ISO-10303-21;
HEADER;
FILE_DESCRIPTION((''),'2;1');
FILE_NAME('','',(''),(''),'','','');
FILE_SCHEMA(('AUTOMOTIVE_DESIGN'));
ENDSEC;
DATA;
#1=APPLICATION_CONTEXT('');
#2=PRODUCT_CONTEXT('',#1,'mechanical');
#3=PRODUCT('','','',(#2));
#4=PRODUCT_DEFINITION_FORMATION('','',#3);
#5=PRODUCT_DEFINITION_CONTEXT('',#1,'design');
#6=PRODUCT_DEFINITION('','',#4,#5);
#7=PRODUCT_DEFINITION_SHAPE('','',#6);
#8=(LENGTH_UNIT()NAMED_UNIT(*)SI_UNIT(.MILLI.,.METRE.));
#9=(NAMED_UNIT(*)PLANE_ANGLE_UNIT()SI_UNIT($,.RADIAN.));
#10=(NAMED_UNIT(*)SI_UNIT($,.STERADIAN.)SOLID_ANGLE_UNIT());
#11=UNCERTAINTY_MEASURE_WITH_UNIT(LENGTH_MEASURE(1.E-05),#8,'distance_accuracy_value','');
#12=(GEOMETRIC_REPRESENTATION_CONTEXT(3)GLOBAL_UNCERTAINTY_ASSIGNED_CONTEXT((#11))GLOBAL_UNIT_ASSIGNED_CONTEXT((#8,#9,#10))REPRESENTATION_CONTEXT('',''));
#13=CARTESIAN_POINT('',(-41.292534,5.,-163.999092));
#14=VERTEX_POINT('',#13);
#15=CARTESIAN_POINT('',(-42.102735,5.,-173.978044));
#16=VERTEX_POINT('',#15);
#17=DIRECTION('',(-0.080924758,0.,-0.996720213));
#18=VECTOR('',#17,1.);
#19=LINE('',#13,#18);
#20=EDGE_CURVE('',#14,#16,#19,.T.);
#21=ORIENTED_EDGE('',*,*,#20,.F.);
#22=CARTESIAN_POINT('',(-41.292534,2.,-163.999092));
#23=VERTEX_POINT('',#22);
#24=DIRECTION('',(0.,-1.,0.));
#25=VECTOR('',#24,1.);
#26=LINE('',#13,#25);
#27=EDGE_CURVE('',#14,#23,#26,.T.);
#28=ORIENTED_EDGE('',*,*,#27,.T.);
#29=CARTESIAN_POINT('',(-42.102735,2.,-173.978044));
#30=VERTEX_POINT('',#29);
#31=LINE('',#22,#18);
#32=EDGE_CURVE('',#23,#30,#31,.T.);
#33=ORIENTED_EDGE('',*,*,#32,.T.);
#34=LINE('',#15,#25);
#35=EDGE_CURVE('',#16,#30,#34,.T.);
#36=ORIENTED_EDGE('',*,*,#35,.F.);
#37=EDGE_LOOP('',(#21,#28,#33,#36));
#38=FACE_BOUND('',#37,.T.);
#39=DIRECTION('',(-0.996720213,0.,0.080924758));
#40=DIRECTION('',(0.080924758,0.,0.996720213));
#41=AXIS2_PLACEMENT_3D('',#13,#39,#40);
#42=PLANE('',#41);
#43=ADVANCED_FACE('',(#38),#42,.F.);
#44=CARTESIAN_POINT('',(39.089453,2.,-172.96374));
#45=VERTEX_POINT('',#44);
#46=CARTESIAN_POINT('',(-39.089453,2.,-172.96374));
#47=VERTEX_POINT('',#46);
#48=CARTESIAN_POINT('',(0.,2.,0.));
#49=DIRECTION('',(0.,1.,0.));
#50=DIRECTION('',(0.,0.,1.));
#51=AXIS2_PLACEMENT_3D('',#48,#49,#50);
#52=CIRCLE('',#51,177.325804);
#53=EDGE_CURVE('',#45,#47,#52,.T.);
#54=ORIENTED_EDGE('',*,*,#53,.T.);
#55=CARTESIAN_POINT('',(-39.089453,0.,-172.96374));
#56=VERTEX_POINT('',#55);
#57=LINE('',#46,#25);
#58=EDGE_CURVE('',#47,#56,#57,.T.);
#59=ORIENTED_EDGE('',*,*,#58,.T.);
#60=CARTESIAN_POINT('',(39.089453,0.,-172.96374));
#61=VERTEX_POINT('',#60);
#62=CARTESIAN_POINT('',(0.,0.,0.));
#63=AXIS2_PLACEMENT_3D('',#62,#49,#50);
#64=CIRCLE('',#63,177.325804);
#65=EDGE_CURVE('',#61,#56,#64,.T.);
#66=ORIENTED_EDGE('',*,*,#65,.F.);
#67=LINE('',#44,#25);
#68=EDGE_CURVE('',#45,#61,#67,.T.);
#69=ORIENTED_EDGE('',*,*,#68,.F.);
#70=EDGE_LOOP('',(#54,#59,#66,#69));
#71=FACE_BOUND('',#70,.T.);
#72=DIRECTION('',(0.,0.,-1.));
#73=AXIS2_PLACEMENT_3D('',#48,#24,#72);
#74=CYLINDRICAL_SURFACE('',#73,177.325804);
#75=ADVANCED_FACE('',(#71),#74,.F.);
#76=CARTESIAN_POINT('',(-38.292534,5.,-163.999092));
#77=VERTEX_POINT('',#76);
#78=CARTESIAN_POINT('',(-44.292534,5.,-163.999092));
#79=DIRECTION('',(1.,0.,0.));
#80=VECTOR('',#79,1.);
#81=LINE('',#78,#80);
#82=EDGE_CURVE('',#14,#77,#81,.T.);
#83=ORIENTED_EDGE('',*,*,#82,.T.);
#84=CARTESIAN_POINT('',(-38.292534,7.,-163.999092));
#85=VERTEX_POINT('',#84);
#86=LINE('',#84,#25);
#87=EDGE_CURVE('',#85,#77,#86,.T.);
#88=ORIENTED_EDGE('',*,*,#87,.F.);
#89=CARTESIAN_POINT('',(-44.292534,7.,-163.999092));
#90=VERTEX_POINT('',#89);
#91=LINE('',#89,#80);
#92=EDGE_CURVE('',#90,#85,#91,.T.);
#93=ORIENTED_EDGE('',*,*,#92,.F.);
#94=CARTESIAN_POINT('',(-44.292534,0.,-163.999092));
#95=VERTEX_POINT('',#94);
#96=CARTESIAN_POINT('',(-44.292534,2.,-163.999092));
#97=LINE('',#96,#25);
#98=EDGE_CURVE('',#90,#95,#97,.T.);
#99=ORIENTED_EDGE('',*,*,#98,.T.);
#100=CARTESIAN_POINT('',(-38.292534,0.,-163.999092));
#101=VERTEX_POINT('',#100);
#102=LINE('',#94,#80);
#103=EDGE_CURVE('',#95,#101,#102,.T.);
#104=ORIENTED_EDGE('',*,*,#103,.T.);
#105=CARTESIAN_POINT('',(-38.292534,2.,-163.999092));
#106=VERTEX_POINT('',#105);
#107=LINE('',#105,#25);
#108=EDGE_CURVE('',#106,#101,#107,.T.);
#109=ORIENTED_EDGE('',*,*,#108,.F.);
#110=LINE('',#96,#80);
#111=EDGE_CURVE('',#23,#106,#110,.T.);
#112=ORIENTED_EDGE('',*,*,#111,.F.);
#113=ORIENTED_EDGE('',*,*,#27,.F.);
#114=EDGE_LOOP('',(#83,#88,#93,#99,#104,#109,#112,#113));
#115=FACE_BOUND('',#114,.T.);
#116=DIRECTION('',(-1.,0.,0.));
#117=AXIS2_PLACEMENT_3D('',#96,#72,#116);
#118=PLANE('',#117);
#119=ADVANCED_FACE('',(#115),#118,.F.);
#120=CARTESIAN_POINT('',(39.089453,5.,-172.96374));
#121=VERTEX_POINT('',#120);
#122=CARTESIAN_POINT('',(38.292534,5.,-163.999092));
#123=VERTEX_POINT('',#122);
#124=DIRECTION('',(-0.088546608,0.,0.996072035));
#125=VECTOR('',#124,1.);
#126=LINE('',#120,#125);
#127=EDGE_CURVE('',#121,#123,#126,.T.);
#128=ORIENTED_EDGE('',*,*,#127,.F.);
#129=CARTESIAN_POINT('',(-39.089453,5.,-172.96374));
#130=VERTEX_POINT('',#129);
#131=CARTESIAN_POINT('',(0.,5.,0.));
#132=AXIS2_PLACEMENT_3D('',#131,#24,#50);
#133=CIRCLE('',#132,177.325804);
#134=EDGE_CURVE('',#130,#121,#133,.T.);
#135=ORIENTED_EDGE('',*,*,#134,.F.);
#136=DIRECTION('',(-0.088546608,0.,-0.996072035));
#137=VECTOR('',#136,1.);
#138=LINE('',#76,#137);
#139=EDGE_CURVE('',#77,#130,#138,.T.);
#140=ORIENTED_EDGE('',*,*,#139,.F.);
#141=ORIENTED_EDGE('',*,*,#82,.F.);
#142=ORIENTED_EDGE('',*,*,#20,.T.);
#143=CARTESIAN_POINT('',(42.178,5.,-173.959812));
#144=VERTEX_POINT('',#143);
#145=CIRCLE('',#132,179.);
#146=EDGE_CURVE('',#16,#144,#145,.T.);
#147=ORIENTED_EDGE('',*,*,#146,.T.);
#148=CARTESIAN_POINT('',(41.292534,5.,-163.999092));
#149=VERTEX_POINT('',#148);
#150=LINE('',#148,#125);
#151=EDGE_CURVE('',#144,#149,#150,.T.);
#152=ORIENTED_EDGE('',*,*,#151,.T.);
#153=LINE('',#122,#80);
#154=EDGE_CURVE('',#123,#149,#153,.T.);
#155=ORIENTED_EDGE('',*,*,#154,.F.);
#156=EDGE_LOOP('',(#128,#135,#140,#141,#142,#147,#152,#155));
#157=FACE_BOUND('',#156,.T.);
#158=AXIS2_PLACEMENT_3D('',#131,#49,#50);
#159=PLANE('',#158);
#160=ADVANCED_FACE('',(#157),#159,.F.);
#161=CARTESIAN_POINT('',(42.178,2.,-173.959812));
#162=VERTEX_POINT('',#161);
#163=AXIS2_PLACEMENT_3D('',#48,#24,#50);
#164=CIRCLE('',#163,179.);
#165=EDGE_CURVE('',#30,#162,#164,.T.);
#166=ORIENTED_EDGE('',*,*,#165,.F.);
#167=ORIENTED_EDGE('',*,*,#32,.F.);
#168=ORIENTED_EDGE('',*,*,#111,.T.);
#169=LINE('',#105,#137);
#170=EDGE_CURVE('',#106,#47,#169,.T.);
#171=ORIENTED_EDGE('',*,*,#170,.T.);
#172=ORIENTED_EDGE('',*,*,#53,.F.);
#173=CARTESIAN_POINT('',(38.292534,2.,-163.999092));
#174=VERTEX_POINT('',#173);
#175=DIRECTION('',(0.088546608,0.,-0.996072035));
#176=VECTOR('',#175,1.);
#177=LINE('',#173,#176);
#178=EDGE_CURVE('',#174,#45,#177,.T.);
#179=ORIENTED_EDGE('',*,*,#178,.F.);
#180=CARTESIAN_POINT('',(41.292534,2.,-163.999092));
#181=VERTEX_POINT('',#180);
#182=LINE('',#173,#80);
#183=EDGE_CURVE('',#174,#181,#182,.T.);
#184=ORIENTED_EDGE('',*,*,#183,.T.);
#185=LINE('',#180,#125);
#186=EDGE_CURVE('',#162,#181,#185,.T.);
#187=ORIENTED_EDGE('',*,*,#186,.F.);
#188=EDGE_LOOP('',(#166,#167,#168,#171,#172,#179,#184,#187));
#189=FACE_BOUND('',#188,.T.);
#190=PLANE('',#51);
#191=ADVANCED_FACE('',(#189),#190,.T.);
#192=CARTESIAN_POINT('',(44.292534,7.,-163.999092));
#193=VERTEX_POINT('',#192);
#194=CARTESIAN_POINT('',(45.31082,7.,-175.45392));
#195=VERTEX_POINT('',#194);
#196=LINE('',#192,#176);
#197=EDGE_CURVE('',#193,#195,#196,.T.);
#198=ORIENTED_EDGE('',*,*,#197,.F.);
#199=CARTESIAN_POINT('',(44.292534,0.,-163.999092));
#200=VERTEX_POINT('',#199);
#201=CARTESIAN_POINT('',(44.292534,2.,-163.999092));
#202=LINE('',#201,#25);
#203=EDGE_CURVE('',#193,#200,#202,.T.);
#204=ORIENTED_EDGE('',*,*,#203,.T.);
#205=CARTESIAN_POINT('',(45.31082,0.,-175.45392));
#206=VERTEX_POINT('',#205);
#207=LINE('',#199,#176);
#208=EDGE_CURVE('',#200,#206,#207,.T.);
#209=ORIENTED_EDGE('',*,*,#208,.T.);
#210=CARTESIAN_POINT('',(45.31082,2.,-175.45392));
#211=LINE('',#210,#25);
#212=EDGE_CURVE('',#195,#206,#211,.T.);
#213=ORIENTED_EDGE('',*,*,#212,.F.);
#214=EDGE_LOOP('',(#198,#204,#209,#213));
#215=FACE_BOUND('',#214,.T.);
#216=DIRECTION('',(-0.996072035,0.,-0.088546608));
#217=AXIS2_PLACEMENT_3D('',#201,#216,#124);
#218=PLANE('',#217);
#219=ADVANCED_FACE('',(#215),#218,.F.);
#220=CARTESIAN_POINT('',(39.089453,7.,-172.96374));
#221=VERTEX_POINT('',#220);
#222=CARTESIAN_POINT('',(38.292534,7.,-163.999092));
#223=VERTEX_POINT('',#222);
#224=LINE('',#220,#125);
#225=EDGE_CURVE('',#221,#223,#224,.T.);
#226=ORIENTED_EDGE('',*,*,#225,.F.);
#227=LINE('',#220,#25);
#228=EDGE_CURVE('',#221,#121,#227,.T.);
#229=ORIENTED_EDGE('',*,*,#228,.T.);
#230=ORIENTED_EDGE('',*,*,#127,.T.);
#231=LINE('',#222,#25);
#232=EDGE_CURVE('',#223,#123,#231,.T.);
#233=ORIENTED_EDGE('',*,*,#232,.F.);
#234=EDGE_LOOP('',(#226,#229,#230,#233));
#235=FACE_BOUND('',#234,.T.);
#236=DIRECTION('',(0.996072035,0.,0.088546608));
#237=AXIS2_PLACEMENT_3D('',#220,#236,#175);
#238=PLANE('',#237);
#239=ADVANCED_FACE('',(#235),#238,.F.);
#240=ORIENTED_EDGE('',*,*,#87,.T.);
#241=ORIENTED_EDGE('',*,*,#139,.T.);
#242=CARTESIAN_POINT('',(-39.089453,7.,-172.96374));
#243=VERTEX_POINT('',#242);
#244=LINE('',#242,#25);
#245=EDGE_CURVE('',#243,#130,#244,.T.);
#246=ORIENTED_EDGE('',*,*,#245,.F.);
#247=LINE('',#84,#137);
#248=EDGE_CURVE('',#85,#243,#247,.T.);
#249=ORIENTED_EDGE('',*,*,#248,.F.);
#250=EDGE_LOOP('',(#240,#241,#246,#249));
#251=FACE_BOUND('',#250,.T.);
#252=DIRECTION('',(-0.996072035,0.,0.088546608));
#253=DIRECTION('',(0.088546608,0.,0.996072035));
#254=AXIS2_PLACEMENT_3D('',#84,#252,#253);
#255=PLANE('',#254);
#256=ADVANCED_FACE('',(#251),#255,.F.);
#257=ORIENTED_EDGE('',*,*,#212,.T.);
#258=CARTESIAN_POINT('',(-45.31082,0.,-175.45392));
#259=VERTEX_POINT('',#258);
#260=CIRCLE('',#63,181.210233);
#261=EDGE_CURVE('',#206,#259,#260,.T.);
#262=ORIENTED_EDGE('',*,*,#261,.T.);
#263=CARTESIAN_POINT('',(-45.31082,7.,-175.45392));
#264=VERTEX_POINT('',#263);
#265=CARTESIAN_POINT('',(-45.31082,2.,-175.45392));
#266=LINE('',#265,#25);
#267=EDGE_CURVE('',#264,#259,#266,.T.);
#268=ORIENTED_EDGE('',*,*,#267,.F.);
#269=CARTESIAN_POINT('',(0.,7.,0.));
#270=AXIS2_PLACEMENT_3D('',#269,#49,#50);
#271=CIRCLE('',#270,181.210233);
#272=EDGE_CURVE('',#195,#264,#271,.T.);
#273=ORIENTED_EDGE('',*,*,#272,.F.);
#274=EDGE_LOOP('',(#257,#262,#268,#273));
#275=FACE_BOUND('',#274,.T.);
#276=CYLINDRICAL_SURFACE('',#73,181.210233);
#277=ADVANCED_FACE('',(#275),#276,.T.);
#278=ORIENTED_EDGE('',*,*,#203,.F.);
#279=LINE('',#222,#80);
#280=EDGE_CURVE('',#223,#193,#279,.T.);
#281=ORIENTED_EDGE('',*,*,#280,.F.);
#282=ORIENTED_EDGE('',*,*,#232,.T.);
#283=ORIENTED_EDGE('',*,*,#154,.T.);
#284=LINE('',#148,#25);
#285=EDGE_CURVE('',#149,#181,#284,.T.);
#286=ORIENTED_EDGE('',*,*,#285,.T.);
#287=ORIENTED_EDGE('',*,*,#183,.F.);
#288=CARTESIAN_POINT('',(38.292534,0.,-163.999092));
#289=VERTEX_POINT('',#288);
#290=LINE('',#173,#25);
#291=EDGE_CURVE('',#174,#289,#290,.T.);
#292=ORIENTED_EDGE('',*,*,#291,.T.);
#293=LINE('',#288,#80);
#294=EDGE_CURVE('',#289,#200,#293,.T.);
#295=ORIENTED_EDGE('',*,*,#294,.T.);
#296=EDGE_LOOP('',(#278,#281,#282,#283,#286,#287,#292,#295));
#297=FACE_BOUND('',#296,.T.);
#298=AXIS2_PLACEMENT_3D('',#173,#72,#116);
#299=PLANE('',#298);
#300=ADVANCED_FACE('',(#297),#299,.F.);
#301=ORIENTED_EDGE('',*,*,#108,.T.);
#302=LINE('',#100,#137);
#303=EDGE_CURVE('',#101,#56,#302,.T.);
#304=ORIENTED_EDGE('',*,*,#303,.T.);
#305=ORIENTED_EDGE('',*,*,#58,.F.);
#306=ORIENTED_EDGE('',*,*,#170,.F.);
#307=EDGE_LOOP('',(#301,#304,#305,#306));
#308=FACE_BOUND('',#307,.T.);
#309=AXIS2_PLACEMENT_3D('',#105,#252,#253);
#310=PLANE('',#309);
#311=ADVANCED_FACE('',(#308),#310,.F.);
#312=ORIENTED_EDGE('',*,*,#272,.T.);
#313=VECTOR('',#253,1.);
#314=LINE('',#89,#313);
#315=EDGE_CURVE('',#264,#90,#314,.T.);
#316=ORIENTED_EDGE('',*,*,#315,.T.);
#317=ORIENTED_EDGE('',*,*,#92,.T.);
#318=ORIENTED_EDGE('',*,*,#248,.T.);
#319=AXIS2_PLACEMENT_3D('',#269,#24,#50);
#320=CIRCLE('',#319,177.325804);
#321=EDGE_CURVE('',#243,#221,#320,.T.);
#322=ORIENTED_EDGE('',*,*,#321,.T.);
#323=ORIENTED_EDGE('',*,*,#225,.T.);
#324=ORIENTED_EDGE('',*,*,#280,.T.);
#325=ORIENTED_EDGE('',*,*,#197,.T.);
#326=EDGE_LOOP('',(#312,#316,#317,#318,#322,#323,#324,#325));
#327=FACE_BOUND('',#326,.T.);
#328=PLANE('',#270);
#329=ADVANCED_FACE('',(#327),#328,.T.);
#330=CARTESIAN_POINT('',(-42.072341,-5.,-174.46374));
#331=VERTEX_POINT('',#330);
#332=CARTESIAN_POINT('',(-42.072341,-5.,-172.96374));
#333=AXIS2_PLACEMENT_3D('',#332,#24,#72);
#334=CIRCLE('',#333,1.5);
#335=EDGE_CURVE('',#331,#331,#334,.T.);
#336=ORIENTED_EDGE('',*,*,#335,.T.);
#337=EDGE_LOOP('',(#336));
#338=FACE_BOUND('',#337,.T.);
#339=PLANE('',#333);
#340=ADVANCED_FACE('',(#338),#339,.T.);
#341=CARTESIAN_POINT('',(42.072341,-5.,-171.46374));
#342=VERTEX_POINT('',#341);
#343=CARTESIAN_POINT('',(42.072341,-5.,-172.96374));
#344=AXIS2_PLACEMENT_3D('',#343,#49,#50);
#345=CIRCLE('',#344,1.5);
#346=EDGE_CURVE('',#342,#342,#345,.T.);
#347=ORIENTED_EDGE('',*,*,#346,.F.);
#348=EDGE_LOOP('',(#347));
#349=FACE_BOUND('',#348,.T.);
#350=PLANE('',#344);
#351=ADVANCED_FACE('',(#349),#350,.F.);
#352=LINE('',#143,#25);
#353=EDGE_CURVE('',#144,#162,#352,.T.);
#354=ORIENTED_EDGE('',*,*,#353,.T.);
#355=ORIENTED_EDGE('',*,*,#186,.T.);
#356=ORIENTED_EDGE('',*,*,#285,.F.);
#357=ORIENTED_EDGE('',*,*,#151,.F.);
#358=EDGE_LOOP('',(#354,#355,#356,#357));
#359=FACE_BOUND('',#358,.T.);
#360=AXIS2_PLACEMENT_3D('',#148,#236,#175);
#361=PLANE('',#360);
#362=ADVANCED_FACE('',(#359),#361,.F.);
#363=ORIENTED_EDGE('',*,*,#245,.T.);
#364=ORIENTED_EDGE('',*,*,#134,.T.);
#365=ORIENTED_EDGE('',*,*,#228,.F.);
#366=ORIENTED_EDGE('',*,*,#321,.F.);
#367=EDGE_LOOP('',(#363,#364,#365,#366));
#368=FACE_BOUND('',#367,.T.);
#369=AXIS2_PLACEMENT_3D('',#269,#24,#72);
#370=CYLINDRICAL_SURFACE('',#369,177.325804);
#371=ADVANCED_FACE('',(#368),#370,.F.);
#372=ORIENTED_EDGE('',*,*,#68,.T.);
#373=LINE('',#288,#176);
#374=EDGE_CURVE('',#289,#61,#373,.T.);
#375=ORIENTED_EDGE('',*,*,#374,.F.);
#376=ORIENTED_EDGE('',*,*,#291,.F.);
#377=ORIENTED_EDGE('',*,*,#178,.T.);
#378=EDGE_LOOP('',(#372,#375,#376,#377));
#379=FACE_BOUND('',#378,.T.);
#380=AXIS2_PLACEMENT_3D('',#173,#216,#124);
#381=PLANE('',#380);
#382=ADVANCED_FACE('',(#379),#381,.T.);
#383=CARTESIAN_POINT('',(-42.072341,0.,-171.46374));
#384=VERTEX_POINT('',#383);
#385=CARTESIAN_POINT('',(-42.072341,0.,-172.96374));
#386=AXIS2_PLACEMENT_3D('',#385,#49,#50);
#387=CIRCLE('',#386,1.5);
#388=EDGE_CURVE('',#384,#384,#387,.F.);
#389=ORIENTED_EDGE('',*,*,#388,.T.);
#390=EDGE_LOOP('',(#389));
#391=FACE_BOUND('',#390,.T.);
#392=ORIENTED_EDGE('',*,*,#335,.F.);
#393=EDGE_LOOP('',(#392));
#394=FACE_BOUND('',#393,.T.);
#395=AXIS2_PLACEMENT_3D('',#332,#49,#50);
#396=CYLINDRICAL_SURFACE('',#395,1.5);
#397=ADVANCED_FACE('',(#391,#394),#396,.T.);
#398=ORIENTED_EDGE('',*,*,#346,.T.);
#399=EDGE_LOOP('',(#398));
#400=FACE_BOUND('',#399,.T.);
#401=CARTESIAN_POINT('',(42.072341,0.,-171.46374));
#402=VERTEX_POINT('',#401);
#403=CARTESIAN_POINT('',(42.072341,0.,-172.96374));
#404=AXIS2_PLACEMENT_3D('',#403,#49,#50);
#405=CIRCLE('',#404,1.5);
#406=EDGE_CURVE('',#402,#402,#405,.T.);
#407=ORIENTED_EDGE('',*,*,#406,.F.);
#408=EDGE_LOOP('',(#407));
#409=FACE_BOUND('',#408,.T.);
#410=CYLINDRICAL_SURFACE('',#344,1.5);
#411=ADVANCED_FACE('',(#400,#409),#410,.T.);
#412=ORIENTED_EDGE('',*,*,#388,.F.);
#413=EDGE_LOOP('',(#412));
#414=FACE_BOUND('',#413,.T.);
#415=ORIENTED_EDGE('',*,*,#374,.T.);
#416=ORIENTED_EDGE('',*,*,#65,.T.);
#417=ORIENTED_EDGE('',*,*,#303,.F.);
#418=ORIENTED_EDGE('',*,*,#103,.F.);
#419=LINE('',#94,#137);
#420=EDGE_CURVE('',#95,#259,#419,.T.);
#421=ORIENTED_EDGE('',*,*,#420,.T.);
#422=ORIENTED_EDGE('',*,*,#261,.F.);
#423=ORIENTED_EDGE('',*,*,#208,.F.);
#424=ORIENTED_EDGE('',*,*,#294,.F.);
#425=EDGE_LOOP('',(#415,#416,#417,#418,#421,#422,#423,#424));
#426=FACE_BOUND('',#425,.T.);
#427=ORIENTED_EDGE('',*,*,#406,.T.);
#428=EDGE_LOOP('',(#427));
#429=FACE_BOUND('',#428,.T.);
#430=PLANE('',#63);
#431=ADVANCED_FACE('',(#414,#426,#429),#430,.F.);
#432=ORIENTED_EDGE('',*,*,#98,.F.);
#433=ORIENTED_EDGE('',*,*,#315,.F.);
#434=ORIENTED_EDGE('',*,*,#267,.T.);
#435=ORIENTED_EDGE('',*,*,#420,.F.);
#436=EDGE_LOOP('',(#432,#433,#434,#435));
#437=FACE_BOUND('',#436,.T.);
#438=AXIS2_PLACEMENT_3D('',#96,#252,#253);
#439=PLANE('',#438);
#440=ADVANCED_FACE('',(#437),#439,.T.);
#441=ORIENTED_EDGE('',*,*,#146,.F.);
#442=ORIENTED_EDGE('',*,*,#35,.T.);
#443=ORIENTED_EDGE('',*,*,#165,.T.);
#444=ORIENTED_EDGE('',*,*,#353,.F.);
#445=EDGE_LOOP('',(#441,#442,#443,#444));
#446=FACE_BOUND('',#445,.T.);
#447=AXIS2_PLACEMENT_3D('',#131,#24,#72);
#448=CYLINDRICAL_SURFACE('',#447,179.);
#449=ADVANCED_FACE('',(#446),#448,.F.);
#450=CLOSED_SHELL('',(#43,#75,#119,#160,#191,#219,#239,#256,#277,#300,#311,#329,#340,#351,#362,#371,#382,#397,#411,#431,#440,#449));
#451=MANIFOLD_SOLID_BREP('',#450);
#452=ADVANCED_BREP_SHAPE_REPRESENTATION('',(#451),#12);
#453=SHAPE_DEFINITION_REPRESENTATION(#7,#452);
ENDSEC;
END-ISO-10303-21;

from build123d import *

# Parameters (mm, degrees)
BOSS_EXTRUDE4_DEPTH = 2
BOSS_EXTRUDE5_DEPTH = 3
BOSS_EXTRUDE6_DEPTH = 2
SKETCH7_R           = 1.5
BOSS_EXTRUDE7_DEPTH = 5


with BuildPart() as part:
    # Sketch2 → Boss-Extrude4 (new body)
    with BuildSketch(Plane(origin=(0, 0, 0), x_dir=(1, 0, 0), z_dir=(0, 1, 0))):
        with BuildLine():
            Line((-44.292533925, 163.999092012), (-38.292533925, 163.999092012))
            Line((-38.292533925, 163.999092012), (-39.089453392, 172.963740324))
            ThreePointArc((-39.089453392, 172.963740324), (0, 177.325804195), (39.089453392, 172.963740324))
            Line((39.089453392, 172.963740324), (38.292533925, 163.999092012))
            Line((38.292533925, 163.999092012), (44.292533925, 163.999092012))
            Line((44.292533925, 163.999092012), (45.310819911, 175.453920411))
            ThreePointArc((45.310819911, 175.453920411), (0, 181.210233123), (-45.310819911, 175.453920411))
            Line((-45.310819911, 175.453920411), (-44.292533925, 163.999092012))
        make_face()
    extrude(amount=BOSS_EXTRUDE4_DEPTH)

    # Sketch5 → Boss-Extrude5 (add)
    with BuildSketch(Plane(origin=(0, 2, 0), x_dir=(1, 0, 0), z_dir=(0, 1, 0))):
        with BuildLine():
            Line((-41.292533925, 163.999092012), (-42.102735456, 173.978043635))
            ThreePointArc((-42.102735456, 173.978043635), (0.038720573, 178.999995812), (42.178, 173.959812359))
            Line((42.178, 173.959812359), (41.292533925, 163.999092012))
            Line((41.292533925, 163.999092012), (44.292533925, 163.999092012))
            Line((44.292533925, 163.999092012), (45.310819911, 175.453920411))
            ThreePointArc((45.310819911, 175.453920411), (0, 181.210233123), (-45.310819911, 175.453920411))
            Line((-45.310819911, 175.453920411), (-44.292533925, 163.999092012))
            Line((-44.292533925, 163.999092012), (-41.292533925, 163.999092012))
        make_face()
    extrude(amount=BOSS_EXTRUDE5_DEPTH)

    # Sketch6 → Boss-Extrude6 (add)
    with BuildSketch(Plane(origin=(0, 5, 0), x_dir=(1, 0, 0), z_dir=(0, 1, 0))):
        with BuildLine():
            Line((-44.292533925, 163.999092012), (-38.292533925, 163.999092012))
            Line((-38.292533925, 163.999092012), (-39.089453392, 172.963740324))
            ThreePointArc((-39.089453392, 172.963740324), (0, 177.325804195), (39.089453392, 172.963740324))
            Line((39.089453392, 172.963740324), (38.292533925, 163.999092012))
            Line((38.292533925, 163.999092012), (44.292533925, 163.999092012))
            Line((44.292533925, 163.999092012), (45.310819911, 175.453920411))
            ThreePointArc((45.310819911, 175.453920411), (0, 181.210233123), (-45.310819911, 175.453920411))
            Line((-45.310819911, 175.453920411), (-44.292533925, 163.999092012))
        make_face()
    extrude(amount=BOSS_EXTRUDE6_DEPTH)

    # Sketch7 → Boss-Extrude7 (add)
    with BuildSketch(Plane.XZ):
        with Locations(Location((-42.072341363, -172.963740324, 0), (0, 0, 90))):
            Circle(SKETCH7_R)
        with Locations(Location((42.072341363, -172.963740324, 0), (0, 0, 90))):
            Circle(SKETCH7_R)
    extrude(amount=BOSS_EXTRUDE7_DEPTH)


solid = part.part
